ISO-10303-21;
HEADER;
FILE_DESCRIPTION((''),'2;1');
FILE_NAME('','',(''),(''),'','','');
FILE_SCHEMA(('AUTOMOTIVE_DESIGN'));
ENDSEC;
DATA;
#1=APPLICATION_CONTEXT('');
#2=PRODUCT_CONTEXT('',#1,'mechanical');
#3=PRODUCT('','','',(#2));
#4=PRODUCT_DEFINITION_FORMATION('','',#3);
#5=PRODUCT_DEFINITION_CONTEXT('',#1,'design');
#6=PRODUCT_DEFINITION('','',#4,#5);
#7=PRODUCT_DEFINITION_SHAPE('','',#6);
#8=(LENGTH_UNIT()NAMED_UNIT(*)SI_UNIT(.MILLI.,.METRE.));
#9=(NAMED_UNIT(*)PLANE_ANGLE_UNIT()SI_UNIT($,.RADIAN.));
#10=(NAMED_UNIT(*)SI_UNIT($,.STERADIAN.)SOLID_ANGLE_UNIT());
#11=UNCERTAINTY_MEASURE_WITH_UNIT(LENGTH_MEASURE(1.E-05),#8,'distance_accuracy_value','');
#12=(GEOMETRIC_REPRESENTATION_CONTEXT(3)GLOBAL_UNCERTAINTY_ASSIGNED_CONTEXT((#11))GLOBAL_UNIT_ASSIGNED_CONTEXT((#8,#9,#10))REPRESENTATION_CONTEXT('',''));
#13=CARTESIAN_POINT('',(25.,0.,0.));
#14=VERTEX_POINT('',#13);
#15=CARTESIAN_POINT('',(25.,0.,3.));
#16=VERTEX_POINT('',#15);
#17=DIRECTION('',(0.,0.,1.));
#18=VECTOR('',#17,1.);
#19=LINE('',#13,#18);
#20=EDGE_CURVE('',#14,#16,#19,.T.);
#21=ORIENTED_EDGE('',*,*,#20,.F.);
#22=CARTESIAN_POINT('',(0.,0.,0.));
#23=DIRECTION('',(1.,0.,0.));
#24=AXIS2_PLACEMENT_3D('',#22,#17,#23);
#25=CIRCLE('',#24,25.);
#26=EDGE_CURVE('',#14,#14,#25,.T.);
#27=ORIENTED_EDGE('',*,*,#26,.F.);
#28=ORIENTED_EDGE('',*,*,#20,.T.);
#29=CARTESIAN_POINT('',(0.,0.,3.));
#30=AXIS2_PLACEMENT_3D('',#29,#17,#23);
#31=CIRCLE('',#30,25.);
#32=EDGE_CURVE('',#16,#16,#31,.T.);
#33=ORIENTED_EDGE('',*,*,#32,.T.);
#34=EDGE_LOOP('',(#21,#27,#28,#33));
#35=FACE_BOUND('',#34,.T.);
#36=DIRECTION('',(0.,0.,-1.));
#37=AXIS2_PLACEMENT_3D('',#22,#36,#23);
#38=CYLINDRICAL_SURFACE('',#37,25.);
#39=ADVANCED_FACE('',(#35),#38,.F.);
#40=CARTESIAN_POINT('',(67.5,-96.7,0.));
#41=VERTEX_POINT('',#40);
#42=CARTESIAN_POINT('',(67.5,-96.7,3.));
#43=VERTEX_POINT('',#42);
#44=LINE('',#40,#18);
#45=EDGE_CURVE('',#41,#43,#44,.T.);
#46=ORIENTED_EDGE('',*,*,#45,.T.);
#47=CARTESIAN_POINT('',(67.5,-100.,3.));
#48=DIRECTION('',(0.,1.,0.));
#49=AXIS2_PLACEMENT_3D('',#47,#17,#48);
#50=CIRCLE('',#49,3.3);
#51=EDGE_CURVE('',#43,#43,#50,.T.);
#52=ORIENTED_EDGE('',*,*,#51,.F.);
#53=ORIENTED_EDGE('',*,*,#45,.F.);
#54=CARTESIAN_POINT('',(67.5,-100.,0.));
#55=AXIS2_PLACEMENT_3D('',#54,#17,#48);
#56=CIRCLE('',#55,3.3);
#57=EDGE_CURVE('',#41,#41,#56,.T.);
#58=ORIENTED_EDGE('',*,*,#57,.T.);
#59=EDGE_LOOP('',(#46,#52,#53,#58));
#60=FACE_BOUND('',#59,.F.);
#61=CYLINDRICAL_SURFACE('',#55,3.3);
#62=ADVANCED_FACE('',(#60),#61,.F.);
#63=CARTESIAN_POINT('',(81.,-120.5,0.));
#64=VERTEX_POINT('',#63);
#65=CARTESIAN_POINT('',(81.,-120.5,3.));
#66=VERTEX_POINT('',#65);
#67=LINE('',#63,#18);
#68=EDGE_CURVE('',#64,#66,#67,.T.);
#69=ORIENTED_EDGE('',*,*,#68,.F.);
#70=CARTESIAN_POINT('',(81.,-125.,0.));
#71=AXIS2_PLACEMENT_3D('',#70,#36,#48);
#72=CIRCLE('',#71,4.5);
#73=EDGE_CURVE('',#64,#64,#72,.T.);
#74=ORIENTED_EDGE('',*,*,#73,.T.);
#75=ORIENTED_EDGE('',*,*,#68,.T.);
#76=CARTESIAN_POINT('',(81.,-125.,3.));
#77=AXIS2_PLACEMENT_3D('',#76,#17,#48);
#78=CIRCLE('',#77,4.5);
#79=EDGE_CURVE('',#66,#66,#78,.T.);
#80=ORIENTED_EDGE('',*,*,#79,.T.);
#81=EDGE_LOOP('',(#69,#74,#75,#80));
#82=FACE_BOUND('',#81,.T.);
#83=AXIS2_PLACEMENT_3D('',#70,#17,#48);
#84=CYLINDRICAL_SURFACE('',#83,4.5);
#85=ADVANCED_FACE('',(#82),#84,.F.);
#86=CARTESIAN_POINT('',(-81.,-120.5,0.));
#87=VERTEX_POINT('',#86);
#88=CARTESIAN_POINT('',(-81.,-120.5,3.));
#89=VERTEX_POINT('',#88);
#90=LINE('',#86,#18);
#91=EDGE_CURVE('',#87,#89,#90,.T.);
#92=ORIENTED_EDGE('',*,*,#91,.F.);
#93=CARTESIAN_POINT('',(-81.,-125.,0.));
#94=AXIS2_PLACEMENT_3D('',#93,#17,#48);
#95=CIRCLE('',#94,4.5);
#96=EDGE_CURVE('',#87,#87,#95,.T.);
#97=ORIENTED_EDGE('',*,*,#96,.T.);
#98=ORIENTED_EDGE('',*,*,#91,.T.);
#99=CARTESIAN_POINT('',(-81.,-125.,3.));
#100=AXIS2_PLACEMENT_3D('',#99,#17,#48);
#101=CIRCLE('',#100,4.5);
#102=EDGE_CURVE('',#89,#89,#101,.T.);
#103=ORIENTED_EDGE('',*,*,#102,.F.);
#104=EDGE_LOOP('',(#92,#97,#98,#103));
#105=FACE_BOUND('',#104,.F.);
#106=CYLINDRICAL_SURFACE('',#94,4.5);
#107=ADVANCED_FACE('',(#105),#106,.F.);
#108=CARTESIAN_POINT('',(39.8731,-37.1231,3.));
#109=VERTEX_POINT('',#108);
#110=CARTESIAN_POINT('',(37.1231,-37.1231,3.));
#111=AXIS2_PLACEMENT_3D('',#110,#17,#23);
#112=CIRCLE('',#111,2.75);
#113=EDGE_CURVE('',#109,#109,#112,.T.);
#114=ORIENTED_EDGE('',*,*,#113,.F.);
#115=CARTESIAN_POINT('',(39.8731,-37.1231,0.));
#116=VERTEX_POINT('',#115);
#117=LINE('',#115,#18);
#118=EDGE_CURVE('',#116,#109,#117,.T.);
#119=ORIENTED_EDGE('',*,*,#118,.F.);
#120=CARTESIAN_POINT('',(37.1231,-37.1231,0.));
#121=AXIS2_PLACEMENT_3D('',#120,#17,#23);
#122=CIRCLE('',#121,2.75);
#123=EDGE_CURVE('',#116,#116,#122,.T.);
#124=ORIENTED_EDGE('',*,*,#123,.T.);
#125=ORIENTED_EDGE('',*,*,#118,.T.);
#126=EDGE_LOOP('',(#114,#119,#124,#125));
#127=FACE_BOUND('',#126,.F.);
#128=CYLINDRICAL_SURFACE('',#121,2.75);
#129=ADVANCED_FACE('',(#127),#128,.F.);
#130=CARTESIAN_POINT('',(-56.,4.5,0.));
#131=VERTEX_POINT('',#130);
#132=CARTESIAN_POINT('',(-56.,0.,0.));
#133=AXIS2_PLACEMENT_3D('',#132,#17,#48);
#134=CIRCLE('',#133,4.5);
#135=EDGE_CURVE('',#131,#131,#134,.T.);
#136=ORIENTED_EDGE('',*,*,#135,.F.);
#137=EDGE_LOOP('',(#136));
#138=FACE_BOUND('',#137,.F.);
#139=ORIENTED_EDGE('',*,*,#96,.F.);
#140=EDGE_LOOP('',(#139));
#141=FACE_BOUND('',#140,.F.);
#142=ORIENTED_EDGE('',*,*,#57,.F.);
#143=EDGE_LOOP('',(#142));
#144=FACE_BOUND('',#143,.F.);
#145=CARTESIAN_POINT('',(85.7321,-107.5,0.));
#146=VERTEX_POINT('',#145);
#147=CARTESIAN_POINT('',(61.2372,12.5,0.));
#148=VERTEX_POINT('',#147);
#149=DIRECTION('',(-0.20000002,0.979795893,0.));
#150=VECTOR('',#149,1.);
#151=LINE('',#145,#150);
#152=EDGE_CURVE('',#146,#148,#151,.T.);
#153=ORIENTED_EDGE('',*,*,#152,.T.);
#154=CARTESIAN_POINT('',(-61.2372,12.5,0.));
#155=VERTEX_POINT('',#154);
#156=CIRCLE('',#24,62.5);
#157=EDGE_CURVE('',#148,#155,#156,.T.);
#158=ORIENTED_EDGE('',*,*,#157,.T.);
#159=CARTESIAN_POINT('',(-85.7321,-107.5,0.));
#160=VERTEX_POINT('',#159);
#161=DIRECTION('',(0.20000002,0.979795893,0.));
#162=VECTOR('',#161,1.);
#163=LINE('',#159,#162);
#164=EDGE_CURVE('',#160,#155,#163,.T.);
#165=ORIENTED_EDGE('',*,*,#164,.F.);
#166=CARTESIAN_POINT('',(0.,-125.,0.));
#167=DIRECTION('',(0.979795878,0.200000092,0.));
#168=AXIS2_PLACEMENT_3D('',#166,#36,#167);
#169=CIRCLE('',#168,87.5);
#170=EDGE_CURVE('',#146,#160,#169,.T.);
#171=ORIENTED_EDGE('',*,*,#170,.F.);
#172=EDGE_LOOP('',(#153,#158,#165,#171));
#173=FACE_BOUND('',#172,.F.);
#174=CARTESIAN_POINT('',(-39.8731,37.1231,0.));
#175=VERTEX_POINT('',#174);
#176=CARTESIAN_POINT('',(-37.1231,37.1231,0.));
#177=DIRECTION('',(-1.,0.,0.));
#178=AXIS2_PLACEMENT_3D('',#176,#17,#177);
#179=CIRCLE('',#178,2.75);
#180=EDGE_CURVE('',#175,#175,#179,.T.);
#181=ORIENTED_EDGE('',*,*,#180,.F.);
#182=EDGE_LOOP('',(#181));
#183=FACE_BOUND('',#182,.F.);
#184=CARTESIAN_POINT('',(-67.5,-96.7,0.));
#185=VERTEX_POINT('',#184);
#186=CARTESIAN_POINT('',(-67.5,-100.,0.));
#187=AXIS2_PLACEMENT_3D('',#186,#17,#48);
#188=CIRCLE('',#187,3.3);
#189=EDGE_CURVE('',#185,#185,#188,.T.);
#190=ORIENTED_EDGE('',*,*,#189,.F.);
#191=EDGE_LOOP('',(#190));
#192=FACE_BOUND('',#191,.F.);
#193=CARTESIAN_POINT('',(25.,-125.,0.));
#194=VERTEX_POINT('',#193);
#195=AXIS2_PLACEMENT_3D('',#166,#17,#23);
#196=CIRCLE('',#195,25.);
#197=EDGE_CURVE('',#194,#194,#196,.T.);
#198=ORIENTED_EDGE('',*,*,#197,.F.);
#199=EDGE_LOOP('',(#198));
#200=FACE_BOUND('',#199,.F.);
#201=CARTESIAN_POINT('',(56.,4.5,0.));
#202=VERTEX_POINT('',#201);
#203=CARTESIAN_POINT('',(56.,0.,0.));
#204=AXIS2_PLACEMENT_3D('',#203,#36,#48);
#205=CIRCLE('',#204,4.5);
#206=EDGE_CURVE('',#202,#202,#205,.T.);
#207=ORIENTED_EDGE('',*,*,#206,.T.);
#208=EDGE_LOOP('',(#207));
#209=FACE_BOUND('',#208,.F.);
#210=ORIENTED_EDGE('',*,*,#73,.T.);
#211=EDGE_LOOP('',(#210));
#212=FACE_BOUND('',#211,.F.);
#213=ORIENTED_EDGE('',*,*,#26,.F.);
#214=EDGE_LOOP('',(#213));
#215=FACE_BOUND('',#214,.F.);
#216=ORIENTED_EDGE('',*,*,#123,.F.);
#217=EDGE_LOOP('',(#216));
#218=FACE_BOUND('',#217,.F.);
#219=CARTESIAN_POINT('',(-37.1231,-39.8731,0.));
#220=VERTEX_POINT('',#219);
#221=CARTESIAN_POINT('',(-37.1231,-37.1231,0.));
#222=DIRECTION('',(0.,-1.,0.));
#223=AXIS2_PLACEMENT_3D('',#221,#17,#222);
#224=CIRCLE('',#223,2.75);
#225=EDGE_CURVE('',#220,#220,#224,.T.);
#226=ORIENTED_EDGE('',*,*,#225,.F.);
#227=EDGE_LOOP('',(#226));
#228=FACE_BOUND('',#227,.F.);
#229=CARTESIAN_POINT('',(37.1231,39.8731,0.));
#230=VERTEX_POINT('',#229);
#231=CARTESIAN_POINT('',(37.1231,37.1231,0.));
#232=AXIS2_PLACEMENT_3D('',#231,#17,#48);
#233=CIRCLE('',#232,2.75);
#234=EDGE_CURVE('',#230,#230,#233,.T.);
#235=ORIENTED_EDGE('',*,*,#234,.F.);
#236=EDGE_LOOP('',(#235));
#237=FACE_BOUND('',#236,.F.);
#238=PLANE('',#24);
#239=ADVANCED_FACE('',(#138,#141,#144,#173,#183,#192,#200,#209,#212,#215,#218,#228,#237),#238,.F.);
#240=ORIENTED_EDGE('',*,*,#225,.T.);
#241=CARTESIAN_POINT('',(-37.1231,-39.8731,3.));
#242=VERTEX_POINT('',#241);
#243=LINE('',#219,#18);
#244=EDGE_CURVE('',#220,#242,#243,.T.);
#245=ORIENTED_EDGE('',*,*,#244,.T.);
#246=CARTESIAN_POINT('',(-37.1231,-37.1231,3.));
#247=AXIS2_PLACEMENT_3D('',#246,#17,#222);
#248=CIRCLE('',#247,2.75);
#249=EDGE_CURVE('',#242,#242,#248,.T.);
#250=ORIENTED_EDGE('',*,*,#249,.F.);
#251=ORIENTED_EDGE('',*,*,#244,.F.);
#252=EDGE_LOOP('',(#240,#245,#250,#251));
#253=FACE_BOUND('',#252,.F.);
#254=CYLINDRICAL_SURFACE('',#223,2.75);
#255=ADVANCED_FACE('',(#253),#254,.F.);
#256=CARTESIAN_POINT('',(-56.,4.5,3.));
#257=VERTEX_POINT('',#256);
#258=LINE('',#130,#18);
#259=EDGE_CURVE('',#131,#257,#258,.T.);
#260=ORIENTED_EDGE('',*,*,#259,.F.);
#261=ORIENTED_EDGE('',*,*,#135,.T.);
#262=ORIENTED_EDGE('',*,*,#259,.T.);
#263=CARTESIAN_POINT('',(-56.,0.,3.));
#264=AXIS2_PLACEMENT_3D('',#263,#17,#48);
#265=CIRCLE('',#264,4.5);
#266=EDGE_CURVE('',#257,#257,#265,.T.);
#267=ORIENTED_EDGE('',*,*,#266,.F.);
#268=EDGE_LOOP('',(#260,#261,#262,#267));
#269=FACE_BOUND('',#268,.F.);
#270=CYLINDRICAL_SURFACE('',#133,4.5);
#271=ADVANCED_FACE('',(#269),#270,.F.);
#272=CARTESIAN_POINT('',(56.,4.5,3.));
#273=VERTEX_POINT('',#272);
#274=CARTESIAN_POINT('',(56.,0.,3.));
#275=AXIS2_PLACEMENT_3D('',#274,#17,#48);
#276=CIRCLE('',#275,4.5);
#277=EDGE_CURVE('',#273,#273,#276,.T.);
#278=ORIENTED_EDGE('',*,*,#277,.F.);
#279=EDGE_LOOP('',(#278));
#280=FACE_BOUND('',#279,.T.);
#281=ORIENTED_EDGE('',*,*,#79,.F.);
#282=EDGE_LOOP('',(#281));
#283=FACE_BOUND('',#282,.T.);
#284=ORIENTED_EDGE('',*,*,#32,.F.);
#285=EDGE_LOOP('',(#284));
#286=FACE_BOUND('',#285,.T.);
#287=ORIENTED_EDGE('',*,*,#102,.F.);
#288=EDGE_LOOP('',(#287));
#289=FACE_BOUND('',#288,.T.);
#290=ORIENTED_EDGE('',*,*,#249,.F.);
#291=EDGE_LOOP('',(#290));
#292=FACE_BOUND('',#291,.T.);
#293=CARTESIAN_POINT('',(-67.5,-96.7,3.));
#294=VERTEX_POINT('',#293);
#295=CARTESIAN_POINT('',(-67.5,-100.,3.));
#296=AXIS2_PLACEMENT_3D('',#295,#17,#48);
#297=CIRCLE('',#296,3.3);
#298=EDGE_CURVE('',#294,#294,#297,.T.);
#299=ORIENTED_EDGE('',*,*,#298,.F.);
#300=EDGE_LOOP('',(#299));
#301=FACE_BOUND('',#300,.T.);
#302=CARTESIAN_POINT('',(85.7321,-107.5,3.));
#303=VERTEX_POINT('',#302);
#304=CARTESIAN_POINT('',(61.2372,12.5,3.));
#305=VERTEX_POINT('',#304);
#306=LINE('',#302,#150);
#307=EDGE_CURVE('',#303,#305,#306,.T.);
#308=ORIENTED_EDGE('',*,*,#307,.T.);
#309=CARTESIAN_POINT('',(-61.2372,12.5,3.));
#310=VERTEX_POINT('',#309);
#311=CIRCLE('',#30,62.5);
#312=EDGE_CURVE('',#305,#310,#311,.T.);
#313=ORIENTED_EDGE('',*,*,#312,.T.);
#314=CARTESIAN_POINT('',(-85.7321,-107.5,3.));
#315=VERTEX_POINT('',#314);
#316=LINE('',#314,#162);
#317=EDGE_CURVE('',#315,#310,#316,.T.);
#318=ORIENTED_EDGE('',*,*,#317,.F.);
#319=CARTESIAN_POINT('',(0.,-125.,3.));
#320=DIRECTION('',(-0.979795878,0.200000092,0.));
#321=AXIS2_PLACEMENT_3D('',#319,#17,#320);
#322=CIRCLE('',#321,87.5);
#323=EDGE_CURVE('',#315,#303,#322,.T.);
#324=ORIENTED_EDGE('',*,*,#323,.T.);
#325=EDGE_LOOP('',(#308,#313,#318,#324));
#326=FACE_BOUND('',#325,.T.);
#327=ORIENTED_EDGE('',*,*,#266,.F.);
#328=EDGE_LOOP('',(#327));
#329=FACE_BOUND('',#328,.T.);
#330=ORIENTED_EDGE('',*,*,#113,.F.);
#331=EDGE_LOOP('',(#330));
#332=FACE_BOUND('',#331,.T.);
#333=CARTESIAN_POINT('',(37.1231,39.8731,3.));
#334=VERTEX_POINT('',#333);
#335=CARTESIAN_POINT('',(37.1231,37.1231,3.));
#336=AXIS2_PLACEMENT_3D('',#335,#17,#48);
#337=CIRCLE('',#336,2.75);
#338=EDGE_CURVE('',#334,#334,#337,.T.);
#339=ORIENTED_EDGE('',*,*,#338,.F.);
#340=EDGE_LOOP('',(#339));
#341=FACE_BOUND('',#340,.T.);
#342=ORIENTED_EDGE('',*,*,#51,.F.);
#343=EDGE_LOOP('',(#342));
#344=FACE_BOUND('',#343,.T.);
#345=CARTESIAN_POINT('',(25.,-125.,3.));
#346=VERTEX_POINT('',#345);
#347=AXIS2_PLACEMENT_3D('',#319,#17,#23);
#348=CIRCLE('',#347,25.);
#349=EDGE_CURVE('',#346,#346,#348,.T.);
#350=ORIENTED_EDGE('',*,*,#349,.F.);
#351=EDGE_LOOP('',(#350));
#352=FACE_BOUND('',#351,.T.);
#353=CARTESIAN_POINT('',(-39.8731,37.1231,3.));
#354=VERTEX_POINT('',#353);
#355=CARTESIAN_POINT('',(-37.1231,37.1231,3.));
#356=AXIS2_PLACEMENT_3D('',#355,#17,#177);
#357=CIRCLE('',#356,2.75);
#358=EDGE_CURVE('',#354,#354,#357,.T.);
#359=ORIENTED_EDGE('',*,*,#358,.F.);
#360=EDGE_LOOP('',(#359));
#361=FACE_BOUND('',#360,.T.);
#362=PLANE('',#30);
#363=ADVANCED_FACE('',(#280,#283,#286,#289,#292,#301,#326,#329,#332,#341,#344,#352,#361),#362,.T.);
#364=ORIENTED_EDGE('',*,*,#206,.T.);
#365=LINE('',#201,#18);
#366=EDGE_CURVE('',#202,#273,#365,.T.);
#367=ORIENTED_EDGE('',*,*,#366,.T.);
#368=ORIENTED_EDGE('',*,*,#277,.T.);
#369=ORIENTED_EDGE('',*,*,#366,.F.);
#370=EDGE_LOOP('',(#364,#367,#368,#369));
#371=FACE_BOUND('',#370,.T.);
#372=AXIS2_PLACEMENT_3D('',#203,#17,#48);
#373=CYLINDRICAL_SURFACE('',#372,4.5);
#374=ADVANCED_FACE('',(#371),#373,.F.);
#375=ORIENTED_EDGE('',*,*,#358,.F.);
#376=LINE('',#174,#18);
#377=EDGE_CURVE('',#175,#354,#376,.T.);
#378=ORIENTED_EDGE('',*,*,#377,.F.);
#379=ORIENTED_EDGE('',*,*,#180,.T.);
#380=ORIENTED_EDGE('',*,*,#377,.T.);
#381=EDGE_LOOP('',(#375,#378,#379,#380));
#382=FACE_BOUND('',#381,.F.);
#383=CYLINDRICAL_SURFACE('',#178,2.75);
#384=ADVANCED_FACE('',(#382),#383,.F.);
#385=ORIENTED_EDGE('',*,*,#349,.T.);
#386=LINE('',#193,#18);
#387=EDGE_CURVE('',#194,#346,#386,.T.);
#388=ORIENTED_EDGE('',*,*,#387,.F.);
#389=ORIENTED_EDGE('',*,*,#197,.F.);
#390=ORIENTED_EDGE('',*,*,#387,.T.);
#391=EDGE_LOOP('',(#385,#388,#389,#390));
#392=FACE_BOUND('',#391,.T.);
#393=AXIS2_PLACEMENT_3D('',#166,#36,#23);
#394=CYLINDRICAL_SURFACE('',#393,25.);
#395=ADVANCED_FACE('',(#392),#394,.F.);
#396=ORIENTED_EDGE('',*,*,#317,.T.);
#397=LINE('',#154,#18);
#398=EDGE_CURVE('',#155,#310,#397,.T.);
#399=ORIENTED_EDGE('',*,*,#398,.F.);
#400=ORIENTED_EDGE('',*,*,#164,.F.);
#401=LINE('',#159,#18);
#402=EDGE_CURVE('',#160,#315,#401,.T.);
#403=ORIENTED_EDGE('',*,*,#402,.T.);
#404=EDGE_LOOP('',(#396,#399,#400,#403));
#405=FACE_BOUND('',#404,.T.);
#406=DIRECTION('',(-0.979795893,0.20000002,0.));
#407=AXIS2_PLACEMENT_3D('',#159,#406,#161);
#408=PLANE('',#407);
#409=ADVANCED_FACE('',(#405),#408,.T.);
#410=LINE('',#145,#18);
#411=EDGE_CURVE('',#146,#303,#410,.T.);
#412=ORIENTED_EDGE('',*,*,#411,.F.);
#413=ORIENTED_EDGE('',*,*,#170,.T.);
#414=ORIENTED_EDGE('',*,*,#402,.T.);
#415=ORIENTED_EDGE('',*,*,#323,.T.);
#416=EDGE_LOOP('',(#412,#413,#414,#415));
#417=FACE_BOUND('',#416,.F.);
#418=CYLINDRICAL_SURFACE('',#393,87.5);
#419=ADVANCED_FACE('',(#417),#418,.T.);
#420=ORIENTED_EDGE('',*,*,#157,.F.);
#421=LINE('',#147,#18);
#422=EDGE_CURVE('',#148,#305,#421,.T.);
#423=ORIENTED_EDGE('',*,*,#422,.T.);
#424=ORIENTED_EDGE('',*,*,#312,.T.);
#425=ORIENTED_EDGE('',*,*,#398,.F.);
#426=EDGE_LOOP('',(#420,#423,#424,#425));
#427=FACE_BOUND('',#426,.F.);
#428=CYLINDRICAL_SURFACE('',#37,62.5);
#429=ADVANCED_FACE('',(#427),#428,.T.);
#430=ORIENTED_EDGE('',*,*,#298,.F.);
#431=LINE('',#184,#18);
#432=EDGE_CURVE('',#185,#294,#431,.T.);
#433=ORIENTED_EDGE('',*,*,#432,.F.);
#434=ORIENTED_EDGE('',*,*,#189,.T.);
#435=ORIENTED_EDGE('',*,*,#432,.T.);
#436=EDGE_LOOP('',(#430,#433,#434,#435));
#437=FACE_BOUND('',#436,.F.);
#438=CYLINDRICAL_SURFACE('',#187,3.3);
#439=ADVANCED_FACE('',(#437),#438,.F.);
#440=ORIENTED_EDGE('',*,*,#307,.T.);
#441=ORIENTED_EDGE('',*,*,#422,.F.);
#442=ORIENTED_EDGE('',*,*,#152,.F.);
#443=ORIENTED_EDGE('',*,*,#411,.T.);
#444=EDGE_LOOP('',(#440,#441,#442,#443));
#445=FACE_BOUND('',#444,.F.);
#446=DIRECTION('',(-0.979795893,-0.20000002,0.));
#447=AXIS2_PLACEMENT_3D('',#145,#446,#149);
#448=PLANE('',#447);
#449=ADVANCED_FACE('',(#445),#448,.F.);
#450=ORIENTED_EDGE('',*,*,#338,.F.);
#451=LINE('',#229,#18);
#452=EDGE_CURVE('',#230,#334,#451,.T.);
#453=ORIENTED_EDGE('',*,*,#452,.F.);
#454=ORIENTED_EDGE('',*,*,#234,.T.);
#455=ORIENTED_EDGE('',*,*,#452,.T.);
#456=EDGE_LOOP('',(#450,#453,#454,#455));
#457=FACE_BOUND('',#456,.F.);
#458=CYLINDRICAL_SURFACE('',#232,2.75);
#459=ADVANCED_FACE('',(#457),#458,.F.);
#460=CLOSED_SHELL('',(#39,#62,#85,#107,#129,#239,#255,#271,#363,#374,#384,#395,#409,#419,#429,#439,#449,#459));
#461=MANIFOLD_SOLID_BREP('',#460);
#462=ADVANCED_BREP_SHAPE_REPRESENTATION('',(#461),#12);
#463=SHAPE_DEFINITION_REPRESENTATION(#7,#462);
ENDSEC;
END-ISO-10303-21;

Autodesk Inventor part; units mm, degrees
ref_plane "YZ Plane" through (0, 0, 0) normal (1, 0, 0) x (0, 1, 0)
ref_plane "XZ Plane" through (0, 0, 0) normal (0, 1, 0) x (-1, 0, 0)
ref_plane "XY Plane" through (0, 0, 0) normal (0, 0, 1) x (1, 0, 0)
sketch "Sketch1" plane through (0, 0, 0) normal (0, 0, 1) x (1, 0, 0)
  circle A0 centre (0, 0) radius 52.5 construction
  circle A1 centre (0, 0) radius 25
  circle A2 centre (0, 0) radius 62.5
  line L0 (0, 0) -> (0, 52.5) construction
  line L1 (0, 0) -> (37.1231, 37.1231) construction
  line L2 (0, 0) -> (0, -125) construction
  circle A3 centre (0, -125) radius 87.5
  line L3 (-85.7321, -107.5) -> (-61.2372, 12.5)
  line L4 (85.7321, -107.5) -> (61.2372, 12.5)
  circle A4 centre (0, -125) radius 25
  circle A5 centre (0, -125) radius 81 construction
  circle A6 centre (0, 0) radius 56 construction
  line L5 (0, 0) -> (-56, 0) construction
  line L6 (0, -125) -> (-81, -125) construction
  dimension "d31" = 162
  dimension "d32" = 112
  dimension "d0" = 105
  dimension "d1" = 50
  dimension "d2" = 125
  dimension "d3" = 45
  dimension "d4" = 125
  dimension "d5" = 175
  dimension "d6" = 50
extrude "Extrusion1" add sketch "Sketch1" along normal blind 3
sketch "Sketch2" plane through (0, 0, 0) normal (0, 0, 1) x (1, 0, 0)
  line L0 (0, 0) -> (0, -100)
  line L1 (67.5, -100) -> (-67.5, -100)
  arc A0 (-85.7321, -107.5) -> (85.7321, -107.5) centre (0, -125) ccw projected
  dimension "d11" = 100
  dimension "d12" = 135
  dimension "d40" = 25
hole "Hole1" at (67.5, -100, 0) at (-67.5, -100, 0) direction (0, 0, 1) diameter 6.6 end through all clearance for "Hex Head Cap Screw ISO 24017" size "M6" standard "ISO"
hole "Hole2" at (37.1231, 37.1231, 0) direction (0, 0, 1) diameter 5.5 end through all clearance for "Hex Head Cap Screw ISO 24017" size "M5" standard "ISO"
pattern_circular "Circular Pattern1" count 4 over 360 about axis through (0, 0, 0) along (0, 0, 1) of "Hole2"
hole "Hole3" at (-56, 0, 0) at (-81, -125, 0) direction (0, 0, 1) diameter 9 end through all
mirror "Mirror1" about plane through (0, 0, 0) normal (1, 0, 0) of "Hole3"
properties part number "PWTR-0128" material "Aluminum 6061"
